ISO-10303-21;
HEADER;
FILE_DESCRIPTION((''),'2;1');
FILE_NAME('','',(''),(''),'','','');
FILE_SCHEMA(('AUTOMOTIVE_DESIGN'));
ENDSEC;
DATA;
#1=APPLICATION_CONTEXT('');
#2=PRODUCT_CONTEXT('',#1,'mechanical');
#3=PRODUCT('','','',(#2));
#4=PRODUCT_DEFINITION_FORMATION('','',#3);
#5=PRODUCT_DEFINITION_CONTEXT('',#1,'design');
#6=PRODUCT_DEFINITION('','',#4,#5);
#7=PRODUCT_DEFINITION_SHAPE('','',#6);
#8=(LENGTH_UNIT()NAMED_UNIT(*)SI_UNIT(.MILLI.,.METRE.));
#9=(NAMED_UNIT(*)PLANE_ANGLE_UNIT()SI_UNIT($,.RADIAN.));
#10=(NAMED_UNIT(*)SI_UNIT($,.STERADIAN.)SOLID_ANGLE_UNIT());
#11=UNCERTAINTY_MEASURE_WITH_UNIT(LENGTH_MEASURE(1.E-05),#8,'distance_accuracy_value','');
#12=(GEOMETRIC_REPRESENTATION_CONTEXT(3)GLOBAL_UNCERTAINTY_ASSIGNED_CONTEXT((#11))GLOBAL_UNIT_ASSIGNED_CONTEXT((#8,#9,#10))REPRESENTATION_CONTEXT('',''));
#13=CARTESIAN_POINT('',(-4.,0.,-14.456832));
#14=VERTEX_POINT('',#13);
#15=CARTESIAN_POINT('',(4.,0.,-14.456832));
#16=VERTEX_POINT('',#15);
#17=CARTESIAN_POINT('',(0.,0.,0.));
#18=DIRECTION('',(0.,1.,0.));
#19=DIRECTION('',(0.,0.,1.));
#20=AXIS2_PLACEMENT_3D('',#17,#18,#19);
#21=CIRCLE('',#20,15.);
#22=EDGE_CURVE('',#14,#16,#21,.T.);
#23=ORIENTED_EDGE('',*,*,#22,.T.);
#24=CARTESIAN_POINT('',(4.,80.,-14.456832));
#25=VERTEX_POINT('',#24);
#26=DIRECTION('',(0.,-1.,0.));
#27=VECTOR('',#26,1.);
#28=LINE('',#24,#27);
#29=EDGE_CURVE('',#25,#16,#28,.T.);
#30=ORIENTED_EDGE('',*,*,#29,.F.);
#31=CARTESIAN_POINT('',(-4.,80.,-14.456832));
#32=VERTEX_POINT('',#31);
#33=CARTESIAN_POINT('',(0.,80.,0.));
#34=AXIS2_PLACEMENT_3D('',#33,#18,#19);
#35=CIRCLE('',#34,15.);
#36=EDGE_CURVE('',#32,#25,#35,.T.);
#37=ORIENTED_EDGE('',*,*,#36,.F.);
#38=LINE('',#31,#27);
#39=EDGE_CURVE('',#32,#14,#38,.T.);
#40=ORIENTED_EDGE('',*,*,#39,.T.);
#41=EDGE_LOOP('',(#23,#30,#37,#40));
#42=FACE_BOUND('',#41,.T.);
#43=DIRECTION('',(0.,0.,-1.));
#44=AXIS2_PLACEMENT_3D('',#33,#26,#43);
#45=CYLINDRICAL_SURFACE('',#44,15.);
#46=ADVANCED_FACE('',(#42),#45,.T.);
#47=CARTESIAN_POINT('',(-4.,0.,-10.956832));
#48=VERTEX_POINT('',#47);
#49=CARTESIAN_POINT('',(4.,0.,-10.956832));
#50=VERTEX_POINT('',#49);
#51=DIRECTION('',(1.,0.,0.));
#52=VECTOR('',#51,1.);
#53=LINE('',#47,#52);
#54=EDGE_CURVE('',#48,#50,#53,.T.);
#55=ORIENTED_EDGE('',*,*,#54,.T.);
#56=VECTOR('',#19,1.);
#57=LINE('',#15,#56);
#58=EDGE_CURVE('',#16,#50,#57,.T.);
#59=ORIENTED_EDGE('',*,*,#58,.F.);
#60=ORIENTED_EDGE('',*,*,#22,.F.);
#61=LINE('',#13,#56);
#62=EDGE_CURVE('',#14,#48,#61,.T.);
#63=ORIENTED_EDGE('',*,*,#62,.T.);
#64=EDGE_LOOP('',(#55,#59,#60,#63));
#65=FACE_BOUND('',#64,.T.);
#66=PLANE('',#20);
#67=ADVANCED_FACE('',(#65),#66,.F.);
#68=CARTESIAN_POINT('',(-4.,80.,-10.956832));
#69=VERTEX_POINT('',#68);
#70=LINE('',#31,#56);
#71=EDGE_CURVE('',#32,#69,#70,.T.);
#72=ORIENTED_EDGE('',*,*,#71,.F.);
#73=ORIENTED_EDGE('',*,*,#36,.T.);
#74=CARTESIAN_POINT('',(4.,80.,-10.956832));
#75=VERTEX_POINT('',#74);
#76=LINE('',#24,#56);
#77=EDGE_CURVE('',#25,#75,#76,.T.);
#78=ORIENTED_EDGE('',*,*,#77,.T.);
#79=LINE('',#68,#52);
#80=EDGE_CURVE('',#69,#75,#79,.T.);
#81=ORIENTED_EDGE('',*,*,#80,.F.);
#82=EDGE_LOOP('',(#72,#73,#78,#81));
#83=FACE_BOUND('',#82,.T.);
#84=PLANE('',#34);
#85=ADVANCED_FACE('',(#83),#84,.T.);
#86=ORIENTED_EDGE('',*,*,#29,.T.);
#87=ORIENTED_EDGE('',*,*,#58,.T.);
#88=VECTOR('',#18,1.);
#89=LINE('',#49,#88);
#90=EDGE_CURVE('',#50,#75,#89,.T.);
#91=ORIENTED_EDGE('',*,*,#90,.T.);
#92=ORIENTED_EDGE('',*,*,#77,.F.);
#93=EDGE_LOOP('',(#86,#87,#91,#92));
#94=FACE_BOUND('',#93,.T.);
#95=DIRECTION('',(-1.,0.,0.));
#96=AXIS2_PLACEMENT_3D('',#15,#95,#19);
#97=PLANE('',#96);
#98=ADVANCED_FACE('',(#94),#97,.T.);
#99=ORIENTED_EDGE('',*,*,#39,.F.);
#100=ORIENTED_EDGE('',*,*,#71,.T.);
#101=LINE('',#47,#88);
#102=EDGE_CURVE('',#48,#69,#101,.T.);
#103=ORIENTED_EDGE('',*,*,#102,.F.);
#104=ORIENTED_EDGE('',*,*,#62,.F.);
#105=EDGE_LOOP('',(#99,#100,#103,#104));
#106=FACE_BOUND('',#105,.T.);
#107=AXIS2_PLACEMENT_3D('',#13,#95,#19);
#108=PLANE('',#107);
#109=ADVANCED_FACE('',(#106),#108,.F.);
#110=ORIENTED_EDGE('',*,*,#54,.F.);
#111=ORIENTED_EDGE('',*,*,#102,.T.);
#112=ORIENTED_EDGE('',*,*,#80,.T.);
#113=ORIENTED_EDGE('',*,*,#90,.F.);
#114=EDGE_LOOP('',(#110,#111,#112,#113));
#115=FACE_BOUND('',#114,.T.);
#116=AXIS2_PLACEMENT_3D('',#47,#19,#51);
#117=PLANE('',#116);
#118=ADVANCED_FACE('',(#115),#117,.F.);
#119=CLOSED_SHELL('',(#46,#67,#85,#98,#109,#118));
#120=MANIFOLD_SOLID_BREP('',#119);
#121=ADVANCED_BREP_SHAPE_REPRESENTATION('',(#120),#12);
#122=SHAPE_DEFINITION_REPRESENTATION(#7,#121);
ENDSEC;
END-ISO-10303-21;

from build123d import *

# Parameters (mm, degrees)
SKETCH1_R           = 15
BOSS_EXTRUDE1_DEPTH = 80
SKETCH2_W           = 8
SKETCH2_H           = 3.5
CUT_EXTRUDE2_DEPTH  = 83.764726786
SKETCH5_W           = 8.467594852
SKETCH5_H           = 0.933653361
CUT_EXTRUDE3_DEPTH  = 83.764726786


with BuildPart() as part:
    # Sketch1 → Boss-Extrude1 (new body)
    with BuildSketch(Plane(origin=(0, 0, 0), x_dir=(1, 0, 0), z_dir=(0, 1, 0))):
        with Locations(Location((0, 0, 0), (0, 0, 270))):
            Circle(SKETCH1_R)
    extrude(amount=BOSS_EXTRUDE1_DEPTH)

    # Sketch2 → Cut-Extrude2 (cut, through all)
    with BuildSketch(Plane(origin=(0, 80, 0), x_dir=(1, 0, 0), z_dir=(0, 1, 0))):
        with Locations((0, 12.706832295)):
            Rectangle(SKETCH2_W, SKETCH2_H)
    extrude(amount=-CUT_EXTRUDE2_DEPTH, mode=Mode.SUBTRACT)

    # Sketch5 → Cut-Extrude3 (cut, through all)
    with BuildSketch(Plane(origin=(0, 80, 0), x_dir=(1, 0, 0), z_dir=(0, 1, 0))):
        with Locations((0.233797426, 14.923658976)):
            Rectangle(SKETCH5_W, SKETCH5_H)
    extrude(amount=-CUT_EXTRUDE3_DEPTH, mode=Mode.SUBTRACT)


solid = part.part
